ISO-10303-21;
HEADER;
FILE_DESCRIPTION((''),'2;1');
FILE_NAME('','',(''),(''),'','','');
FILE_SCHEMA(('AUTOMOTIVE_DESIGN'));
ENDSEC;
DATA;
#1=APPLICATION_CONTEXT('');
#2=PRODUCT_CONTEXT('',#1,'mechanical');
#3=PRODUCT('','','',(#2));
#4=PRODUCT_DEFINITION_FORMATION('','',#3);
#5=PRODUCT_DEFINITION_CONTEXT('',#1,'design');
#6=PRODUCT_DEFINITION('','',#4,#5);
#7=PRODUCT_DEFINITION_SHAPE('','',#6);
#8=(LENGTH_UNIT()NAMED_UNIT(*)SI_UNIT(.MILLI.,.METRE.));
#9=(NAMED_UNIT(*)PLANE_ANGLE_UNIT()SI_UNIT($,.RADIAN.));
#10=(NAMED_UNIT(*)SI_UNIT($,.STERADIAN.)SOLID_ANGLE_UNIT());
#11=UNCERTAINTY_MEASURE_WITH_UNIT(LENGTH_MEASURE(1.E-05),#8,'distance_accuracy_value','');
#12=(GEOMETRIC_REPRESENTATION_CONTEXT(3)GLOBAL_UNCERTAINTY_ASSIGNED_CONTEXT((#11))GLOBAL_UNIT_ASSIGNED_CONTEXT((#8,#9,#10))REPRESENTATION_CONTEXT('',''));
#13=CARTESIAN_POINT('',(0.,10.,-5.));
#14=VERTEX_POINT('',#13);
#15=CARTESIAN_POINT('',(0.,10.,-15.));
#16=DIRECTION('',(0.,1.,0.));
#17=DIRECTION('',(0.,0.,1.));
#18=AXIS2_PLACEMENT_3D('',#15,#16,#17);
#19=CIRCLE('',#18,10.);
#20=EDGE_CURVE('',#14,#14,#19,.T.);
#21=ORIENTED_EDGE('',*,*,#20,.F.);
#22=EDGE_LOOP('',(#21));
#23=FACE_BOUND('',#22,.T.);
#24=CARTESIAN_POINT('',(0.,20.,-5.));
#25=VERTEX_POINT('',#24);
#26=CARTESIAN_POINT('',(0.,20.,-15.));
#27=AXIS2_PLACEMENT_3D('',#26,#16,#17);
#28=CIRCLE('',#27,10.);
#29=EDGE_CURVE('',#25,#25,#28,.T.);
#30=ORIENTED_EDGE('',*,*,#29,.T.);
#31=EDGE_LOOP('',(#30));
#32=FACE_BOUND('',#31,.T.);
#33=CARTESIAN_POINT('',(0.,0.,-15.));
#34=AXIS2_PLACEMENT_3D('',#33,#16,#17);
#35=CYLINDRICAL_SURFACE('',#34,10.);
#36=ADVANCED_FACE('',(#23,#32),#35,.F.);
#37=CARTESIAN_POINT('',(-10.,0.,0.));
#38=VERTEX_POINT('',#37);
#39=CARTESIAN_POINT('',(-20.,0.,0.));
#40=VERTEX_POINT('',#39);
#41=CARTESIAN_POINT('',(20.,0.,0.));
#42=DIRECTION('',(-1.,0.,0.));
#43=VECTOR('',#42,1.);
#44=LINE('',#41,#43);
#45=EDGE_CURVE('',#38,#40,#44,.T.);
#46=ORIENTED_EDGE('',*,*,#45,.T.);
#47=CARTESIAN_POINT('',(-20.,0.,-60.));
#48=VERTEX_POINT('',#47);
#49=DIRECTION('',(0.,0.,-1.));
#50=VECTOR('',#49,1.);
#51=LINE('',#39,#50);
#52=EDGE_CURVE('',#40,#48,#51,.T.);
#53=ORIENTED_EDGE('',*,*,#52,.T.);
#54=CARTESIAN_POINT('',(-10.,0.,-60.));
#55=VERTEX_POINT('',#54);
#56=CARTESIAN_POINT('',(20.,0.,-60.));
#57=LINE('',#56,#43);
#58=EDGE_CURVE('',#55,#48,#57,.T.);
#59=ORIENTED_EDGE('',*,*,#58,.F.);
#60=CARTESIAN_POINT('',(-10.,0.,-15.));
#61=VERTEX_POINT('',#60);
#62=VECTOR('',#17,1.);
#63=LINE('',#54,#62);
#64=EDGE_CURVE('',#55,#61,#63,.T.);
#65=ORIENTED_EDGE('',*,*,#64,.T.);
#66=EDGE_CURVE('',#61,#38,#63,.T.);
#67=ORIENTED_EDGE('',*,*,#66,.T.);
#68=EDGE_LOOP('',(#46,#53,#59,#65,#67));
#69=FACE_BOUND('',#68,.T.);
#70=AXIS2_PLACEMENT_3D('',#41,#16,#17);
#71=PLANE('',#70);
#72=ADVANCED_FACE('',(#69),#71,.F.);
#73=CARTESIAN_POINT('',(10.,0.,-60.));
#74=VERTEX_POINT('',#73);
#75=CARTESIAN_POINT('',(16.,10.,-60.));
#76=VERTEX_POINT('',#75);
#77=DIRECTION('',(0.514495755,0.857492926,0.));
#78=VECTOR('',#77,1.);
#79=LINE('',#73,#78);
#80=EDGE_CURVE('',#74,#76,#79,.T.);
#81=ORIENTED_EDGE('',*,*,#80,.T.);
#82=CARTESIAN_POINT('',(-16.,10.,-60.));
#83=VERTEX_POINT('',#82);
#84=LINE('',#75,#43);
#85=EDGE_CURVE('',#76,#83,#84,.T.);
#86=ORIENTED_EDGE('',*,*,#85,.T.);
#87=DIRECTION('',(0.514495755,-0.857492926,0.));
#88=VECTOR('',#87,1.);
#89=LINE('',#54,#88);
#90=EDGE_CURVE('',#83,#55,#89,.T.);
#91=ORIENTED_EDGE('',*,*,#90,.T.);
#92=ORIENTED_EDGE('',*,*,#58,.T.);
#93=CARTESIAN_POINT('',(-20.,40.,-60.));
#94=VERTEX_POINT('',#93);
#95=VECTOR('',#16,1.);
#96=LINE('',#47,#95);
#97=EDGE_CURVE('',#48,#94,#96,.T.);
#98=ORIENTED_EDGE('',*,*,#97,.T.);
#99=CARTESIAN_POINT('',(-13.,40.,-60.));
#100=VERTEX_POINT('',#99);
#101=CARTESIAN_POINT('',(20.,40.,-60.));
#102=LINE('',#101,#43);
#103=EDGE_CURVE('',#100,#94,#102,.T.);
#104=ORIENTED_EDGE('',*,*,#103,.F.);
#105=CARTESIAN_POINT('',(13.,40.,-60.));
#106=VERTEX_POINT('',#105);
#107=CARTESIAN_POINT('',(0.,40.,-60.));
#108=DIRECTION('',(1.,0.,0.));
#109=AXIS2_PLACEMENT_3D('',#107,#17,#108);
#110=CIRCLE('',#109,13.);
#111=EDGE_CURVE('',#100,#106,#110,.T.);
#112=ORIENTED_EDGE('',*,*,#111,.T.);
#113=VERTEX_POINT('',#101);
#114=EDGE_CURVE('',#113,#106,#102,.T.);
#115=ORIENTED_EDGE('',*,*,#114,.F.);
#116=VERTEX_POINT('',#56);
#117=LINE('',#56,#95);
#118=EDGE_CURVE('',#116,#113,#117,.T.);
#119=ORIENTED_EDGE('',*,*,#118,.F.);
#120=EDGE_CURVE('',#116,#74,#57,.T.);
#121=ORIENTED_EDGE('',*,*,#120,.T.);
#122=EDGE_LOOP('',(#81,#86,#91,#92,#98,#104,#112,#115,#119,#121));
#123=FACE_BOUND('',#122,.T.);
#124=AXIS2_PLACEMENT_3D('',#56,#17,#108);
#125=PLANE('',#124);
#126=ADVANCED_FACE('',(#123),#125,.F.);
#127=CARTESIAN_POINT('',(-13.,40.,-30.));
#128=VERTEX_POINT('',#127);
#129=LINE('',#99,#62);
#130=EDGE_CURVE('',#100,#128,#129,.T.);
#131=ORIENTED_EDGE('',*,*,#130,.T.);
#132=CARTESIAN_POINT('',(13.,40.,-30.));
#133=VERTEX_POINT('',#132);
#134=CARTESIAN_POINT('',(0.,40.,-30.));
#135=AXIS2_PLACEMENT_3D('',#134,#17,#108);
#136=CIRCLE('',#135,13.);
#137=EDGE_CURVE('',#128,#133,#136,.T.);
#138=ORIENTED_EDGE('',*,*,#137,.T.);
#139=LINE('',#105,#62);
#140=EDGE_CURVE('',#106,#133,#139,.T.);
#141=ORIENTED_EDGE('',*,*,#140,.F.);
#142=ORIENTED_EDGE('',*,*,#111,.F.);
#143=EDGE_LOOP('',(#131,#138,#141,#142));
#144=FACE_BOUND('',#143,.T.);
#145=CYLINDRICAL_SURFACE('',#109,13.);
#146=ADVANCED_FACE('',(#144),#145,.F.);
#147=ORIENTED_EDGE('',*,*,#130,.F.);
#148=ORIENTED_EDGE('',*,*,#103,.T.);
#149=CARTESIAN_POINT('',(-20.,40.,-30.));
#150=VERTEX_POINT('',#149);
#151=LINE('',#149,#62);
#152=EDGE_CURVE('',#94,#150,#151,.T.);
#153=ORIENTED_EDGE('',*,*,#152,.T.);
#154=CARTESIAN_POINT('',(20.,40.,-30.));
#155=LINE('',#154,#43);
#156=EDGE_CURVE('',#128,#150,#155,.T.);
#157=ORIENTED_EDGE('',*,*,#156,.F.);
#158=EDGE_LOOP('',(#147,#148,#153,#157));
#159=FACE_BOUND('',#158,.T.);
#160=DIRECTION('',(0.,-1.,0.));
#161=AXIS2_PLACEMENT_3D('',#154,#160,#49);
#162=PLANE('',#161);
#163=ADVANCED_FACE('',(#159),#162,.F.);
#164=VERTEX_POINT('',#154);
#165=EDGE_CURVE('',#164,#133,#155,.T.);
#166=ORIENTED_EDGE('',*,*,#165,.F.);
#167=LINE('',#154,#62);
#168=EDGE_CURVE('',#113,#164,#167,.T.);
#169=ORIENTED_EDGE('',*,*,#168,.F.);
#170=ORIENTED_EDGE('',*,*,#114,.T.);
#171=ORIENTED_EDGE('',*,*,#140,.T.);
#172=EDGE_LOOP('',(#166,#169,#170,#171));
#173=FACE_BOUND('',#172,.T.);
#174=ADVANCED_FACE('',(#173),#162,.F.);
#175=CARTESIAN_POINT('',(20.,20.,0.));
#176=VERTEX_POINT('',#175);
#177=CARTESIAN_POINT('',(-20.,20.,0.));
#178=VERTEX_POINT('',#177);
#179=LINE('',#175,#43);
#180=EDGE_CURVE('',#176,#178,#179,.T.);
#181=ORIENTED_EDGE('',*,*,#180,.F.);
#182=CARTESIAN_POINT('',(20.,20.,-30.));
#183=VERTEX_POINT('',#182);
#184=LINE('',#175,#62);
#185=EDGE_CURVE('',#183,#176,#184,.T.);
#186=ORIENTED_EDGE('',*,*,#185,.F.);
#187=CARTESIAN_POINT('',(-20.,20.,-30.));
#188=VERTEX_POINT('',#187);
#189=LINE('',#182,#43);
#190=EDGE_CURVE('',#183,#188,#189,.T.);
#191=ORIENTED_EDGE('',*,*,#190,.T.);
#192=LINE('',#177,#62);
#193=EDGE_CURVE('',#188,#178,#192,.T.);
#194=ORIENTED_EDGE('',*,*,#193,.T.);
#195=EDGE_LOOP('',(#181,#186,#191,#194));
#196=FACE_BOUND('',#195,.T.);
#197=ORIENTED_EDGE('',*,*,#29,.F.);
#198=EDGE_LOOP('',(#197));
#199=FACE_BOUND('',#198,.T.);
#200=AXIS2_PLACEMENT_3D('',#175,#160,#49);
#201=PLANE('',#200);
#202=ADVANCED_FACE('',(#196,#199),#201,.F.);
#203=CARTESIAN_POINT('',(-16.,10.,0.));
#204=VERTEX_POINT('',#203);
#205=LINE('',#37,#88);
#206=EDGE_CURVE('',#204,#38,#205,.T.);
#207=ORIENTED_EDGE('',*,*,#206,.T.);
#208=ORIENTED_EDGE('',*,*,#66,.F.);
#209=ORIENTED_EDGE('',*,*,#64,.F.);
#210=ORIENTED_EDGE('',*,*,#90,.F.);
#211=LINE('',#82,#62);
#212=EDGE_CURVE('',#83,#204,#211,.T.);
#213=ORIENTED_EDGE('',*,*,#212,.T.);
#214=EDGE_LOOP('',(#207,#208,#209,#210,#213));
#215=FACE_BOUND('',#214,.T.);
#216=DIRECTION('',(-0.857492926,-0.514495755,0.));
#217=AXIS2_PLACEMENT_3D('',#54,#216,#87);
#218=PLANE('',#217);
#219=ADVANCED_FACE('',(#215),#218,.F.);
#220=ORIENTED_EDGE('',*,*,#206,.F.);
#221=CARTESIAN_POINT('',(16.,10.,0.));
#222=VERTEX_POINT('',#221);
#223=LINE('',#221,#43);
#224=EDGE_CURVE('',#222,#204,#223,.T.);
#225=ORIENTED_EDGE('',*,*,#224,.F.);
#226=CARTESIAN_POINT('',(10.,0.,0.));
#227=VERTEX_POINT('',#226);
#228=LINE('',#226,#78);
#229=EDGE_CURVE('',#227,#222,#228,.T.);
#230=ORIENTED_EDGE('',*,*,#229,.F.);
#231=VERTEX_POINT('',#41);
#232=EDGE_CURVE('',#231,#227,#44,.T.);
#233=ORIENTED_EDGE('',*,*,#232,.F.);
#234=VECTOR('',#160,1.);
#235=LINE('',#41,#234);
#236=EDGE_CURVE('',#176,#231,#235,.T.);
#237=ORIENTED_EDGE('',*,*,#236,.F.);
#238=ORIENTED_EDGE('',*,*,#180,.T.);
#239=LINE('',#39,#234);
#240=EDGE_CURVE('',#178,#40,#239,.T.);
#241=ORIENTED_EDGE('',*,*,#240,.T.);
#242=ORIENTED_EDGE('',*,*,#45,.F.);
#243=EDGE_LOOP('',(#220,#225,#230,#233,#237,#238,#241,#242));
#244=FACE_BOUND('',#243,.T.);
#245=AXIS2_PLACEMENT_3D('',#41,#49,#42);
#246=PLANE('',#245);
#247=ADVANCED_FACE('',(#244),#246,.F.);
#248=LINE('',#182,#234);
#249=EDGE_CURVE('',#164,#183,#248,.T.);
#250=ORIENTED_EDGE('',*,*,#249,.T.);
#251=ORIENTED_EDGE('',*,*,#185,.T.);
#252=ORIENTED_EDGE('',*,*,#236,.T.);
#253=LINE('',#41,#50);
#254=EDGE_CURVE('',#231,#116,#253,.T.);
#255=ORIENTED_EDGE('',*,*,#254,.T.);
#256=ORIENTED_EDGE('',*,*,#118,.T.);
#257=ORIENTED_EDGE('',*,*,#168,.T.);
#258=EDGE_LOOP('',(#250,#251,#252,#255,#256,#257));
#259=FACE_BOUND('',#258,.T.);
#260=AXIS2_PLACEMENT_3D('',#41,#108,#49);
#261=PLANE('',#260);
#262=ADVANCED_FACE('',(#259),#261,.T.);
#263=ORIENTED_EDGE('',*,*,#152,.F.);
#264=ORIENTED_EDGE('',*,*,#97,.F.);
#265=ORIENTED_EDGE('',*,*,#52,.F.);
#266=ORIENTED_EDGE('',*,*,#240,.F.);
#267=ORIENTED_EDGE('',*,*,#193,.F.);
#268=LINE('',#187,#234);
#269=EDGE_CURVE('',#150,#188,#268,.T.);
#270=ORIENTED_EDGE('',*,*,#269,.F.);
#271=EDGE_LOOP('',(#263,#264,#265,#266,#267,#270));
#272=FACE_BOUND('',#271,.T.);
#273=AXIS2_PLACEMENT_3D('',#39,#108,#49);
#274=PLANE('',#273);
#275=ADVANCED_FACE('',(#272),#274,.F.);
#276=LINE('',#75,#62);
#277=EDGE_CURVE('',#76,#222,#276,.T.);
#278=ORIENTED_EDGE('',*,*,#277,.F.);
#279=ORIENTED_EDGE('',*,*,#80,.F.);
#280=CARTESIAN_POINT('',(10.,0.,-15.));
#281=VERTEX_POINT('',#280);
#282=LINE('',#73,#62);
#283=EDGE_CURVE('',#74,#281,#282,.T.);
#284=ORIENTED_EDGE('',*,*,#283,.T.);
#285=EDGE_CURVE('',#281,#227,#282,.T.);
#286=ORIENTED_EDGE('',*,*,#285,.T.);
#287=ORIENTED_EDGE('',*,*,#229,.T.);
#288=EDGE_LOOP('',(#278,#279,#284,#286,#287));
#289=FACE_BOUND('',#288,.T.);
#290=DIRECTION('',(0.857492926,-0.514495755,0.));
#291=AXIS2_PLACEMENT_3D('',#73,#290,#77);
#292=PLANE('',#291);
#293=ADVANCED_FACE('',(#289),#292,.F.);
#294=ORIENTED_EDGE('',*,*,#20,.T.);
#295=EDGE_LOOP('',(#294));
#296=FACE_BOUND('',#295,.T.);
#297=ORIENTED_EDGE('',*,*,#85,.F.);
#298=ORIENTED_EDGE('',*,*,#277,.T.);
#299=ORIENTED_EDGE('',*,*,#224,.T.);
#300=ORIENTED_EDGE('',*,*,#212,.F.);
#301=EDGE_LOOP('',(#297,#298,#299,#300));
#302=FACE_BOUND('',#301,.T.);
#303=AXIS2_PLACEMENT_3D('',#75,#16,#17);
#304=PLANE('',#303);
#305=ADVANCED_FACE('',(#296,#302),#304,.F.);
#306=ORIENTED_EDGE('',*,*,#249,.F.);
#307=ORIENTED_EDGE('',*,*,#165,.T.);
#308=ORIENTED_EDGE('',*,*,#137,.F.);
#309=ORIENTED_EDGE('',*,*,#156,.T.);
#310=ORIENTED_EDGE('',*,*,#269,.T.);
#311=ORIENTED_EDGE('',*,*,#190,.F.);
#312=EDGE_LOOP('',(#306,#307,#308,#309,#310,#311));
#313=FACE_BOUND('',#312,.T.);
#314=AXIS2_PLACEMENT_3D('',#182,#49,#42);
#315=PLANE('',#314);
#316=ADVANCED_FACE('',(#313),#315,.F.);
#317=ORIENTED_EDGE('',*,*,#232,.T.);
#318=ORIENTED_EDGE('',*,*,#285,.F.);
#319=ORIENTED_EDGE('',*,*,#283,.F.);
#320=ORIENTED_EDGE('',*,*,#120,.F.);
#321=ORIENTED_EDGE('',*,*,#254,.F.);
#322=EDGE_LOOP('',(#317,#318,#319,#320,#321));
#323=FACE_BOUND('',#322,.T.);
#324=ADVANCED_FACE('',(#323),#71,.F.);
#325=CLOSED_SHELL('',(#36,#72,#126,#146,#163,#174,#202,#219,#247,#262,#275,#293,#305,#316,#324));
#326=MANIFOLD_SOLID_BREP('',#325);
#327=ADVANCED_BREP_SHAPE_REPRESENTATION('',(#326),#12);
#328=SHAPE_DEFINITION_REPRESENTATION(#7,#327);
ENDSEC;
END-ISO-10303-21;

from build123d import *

# Parameters (mm, degrees)
EXTRUDE_1_DEPTH     = 20
CUT_EXTRUDE_2_DEPTH = 75.833147735
SKETCH_3_R          = 10
CUT_EXTRUDE_3_DEPTH = 67.332495807
CUT_EXTRUDE_4_DEPTH = 54.851648071


with BuildPart() as part:
    # 草图1 → 凸台-拉伸1 (new, symmetric)
    with BuildSketch(Plane(origin=(0, 0, 0), x_dir=(0, 0, -1), z_dir=(1, 0, 0))):
        Polygon((0, 0), (0, 20), (30, 20), (30, 40), (60, 40), (60, 0), align=None)
    extrude(amount=EXTRUDE_1_DEPTH, both=True)

    # 草图2 → 切除-拉伸2 (cut, through all)
    with BuildSketch(Plane.XY):
        Polygon((10, 0), (16, 10), (-16, 10), (-10, 0), align=None)
    extrude(amount=-CUT_EXTRUDE_2_DEPTH, mode=Mode.SUBTRACT)

    # 草图3 → 切除-拉伸3 (cut, through all)
    with BuildSketch(Plane(origin=(0, 20, 0), x_dir=(1, 0, 0), z_dir=(0, 1, 0))):
        with Locations(Location((0, 15, 0), (0, 0, 270))):
            Circle(SKETCH_3_R)
    extrude(amount=-CUT_EXTRUDE_3_DEPTH, mode=Mode.SUBTRACT)

    # 草图4 → 切除-拉伸4 (cut, through all)
    with BuildSketch(Plane.XY.offset(-30)):
        with BuildLine():
            Line((-13, 40), (13, 40))
            ThreePointArc((13, 40), (0, 27), (-13, 40))
        make_face()
    extrude(amount=-CUT_EXTRUDE_4_DEPTH, mode=Mode.SUBTRACT)


solid = part.part
